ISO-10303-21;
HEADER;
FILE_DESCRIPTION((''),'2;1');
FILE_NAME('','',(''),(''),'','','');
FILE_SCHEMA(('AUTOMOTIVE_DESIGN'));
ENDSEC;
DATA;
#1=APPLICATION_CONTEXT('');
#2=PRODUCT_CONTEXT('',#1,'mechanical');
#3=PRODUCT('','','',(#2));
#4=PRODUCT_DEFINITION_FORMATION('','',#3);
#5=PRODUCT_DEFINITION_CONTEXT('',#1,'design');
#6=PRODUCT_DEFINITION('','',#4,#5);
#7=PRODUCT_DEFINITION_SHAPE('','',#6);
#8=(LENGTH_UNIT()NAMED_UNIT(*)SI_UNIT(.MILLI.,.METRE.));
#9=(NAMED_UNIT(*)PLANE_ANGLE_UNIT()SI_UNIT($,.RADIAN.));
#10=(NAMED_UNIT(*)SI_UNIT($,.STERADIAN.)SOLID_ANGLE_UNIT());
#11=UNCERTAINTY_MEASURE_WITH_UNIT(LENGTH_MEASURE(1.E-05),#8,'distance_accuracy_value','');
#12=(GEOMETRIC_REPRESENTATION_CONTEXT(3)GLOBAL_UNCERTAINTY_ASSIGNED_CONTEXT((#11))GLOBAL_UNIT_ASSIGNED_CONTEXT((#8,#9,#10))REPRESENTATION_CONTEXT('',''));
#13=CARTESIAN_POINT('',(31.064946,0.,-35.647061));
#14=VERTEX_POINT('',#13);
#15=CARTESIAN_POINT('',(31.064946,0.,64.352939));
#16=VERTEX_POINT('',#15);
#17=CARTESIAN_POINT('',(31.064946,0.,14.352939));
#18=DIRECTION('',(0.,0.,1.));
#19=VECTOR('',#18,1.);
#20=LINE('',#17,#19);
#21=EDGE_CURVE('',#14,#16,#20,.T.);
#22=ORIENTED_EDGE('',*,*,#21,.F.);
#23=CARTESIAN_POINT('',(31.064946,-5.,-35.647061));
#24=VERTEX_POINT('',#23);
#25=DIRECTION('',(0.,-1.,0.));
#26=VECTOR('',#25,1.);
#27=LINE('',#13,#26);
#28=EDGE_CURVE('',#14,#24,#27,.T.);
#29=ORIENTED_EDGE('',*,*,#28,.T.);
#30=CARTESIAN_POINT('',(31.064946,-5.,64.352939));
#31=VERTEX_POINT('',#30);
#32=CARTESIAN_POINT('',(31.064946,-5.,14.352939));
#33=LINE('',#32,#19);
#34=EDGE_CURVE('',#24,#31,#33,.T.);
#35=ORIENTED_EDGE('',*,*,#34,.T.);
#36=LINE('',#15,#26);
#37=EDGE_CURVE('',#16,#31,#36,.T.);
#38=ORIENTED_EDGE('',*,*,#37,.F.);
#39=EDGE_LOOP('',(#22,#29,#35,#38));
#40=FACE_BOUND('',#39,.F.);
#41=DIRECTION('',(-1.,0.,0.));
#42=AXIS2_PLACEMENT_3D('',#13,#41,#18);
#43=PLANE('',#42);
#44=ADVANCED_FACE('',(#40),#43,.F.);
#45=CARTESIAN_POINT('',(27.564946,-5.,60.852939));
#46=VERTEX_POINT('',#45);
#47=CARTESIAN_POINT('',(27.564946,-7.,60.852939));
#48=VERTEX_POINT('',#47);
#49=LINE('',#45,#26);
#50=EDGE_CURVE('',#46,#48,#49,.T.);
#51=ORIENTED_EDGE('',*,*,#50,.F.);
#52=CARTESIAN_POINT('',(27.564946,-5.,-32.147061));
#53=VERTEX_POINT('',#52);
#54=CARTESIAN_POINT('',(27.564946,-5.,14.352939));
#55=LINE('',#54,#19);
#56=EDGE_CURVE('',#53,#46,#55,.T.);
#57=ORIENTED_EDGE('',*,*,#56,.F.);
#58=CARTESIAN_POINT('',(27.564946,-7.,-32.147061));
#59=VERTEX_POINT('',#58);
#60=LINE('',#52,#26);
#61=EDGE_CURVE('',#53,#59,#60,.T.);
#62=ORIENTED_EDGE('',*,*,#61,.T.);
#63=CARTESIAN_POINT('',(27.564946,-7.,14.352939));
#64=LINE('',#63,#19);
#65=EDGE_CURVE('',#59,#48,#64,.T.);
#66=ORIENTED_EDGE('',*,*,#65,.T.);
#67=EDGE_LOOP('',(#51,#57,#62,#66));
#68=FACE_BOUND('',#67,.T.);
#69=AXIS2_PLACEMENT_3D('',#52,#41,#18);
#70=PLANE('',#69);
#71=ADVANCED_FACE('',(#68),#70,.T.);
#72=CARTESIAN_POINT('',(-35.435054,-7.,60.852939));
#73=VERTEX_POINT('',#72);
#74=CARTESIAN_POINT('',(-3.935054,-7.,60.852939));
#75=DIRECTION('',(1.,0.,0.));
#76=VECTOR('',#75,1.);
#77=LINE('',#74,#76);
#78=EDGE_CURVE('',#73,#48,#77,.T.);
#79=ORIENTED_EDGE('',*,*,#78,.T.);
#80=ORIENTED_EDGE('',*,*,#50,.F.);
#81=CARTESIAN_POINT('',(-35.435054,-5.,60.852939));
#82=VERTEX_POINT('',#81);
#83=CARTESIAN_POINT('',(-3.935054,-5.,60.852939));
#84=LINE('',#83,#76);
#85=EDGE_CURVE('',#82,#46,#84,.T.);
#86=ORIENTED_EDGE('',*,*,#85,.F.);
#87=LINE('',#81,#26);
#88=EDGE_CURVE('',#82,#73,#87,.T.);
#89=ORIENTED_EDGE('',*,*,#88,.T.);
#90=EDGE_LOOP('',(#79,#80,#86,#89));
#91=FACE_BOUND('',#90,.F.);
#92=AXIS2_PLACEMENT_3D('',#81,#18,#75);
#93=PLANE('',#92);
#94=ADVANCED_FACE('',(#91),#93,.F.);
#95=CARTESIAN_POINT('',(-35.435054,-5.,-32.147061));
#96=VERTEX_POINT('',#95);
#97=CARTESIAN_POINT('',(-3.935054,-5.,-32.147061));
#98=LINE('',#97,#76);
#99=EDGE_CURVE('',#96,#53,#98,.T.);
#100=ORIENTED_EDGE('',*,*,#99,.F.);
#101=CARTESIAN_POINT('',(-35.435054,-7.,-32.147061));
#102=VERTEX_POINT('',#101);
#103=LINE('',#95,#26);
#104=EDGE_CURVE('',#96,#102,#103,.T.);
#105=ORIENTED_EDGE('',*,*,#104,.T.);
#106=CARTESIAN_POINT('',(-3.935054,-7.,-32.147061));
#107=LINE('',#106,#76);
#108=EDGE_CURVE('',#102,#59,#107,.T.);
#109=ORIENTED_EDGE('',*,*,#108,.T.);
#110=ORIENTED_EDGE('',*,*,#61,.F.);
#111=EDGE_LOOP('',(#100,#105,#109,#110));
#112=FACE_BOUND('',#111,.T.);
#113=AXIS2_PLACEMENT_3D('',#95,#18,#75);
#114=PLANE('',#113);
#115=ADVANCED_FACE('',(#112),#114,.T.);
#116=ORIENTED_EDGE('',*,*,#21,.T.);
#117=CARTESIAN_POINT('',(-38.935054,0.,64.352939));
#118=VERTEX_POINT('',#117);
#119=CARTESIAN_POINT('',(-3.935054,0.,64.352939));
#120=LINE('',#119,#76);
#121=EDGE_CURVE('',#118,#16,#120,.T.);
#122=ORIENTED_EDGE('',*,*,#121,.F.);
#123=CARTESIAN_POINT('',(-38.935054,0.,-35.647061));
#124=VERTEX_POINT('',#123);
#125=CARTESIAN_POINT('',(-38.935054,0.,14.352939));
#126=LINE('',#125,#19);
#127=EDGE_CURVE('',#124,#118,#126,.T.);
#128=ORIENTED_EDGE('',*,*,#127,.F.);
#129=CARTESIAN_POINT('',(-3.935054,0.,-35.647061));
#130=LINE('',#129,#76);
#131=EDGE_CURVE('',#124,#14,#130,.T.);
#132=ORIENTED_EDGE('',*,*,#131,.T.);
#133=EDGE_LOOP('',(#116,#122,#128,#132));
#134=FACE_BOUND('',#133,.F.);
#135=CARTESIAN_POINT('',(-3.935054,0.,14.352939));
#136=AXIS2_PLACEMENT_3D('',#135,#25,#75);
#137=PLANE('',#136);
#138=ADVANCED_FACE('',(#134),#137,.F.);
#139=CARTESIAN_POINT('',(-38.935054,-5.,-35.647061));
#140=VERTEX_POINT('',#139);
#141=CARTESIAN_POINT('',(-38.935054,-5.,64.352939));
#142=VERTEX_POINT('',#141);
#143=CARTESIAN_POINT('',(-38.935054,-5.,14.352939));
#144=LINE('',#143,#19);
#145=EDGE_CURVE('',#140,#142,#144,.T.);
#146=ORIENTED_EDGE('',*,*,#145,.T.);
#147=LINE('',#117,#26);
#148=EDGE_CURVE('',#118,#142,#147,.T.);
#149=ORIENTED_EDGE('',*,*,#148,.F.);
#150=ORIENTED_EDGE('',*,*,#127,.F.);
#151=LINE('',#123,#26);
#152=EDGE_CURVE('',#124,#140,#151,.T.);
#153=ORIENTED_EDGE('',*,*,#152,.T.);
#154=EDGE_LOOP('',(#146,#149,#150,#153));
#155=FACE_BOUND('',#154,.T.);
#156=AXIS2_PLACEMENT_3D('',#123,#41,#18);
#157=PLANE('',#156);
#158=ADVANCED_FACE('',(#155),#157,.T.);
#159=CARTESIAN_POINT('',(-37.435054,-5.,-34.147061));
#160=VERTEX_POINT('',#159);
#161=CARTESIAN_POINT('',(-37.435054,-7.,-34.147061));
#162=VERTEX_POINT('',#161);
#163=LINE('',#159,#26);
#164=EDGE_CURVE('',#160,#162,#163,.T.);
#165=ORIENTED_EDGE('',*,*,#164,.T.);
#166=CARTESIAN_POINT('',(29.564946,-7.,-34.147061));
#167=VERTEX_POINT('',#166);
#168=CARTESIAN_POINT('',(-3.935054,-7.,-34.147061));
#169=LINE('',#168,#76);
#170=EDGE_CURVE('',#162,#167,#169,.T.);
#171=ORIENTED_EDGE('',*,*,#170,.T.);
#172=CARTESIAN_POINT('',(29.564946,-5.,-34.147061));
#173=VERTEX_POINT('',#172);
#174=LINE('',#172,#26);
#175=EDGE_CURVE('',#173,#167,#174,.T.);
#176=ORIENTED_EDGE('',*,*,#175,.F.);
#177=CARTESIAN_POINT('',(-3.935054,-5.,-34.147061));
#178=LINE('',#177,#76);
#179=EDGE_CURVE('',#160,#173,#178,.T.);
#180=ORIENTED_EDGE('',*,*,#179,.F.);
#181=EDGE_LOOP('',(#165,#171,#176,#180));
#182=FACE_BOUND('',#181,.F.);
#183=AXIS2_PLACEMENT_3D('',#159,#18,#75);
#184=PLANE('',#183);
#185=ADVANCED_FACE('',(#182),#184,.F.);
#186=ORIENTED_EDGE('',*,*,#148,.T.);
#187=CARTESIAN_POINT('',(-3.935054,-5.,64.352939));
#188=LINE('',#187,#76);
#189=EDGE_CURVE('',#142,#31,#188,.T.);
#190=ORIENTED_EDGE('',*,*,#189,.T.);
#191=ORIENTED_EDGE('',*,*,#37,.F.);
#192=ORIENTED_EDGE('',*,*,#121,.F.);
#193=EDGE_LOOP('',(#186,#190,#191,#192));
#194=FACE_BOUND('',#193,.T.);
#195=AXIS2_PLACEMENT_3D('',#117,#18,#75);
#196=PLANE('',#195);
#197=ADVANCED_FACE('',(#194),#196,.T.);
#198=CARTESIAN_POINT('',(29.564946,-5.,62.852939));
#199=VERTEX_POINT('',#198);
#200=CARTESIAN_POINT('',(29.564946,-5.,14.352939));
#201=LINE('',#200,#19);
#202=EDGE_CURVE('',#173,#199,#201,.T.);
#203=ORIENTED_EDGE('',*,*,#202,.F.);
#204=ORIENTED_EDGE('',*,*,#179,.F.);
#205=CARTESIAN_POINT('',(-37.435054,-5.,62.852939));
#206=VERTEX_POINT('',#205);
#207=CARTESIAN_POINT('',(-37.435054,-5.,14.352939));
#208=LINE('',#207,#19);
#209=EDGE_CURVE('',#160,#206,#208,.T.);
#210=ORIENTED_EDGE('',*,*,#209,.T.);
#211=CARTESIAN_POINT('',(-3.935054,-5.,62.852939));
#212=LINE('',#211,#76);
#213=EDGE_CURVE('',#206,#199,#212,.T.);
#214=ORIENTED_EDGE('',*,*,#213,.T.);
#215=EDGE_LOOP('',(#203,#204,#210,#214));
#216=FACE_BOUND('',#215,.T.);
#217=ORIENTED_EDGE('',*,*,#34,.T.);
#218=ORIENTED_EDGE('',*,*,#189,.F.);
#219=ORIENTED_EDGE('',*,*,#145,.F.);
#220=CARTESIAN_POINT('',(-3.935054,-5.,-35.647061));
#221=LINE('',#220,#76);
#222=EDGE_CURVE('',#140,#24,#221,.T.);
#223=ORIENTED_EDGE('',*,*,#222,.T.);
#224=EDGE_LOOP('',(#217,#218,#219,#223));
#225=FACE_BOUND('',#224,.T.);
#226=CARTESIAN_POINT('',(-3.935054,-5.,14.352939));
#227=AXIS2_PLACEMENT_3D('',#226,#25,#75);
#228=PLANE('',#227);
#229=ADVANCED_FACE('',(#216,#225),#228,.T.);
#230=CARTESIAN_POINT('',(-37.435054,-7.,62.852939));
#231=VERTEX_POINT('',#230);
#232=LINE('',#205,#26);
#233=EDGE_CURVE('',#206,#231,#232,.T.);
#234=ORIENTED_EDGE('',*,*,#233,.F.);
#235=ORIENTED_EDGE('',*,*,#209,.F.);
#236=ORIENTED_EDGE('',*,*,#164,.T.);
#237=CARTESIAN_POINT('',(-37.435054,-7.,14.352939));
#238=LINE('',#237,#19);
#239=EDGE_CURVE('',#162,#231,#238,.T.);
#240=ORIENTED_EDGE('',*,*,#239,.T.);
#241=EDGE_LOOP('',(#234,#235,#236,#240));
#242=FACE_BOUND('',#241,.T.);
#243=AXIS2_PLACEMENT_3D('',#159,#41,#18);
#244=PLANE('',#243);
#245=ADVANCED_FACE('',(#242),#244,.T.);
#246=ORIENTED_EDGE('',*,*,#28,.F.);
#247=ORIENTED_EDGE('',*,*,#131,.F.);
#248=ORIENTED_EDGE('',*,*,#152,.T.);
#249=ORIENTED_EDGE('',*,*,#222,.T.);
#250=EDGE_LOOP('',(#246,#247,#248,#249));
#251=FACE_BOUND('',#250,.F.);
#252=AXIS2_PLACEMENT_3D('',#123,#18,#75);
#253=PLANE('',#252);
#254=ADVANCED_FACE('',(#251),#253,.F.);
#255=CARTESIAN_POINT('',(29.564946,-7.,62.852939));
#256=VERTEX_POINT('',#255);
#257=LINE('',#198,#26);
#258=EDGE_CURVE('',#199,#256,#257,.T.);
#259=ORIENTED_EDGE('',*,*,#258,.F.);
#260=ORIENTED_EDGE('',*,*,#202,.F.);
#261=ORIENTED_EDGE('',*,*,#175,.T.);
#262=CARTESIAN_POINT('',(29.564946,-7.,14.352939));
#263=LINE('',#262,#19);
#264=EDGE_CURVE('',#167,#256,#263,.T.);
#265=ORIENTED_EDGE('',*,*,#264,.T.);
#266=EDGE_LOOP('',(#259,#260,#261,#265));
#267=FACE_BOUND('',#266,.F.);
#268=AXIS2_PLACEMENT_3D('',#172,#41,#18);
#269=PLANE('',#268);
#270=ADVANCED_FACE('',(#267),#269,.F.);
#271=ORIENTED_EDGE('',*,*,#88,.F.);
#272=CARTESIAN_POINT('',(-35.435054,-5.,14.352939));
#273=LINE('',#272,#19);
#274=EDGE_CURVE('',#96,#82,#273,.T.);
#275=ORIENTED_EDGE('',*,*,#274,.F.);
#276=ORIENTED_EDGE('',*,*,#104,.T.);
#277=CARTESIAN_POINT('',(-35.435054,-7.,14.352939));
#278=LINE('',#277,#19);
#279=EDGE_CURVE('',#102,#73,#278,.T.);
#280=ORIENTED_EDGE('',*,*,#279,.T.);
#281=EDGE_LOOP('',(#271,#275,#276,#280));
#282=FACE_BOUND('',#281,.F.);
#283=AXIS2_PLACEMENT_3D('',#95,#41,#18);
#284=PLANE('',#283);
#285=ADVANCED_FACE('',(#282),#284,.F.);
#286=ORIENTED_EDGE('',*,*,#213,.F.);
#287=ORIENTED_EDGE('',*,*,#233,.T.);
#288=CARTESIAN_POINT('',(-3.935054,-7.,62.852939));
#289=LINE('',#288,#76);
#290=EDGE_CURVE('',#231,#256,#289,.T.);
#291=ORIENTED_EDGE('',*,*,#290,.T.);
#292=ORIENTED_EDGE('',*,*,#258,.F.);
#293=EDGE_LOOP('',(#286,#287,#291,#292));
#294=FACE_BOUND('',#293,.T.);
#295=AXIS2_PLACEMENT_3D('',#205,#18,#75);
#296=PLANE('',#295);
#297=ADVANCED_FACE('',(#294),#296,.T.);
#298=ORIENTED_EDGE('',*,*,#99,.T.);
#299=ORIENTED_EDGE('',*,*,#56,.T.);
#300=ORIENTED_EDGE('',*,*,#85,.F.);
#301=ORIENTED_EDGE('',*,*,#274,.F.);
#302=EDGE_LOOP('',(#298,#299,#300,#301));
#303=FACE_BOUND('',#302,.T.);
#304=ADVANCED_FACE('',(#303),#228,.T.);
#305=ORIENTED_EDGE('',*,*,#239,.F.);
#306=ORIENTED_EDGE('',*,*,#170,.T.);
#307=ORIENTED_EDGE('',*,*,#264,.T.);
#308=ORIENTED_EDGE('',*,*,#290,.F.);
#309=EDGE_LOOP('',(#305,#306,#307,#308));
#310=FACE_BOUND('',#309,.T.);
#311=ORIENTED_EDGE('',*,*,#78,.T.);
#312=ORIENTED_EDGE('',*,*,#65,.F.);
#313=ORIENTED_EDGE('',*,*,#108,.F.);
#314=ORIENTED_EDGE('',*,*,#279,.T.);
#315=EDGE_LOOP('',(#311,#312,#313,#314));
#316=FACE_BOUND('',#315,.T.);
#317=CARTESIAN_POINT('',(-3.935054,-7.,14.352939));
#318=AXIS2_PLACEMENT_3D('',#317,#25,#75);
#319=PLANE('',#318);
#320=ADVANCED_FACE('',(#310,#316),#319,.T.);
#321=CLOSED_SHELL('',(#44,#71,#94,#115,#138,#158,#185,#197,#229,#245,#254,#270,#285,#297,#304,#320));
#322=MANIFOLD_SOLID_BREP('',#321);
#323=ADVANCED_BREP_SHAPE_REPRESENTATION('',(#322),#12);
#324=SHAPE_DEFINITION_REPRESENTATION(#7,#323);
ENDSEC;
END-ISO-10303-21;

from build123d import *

# Parameters (mm, degrees)
F0_W     = 70
F0_H     = 100
F1_DEPTH = 5
F2_W     = 67
F2_H     = 97
F2_W_2   = 63
F2_H_2   = 93
F3_DEPTH = 2


with BuildPart() as f1:
    # F0 (on Front) → F1 (new body)
    with BuildSketch(Plane.XZ):
        with Locations((-3.935054, 14.352939)):
            Rectangle(F0_W, F0_H)
    extrude(amount=F1_DEPTH)

    # F2 (on face) → F3 (join)
    with BuildSketch(Plane.XZ.offset(5)):
        with Locations((-3.935054, 14.352939)):
            Rectangle(F2_W, F2_H)
        with Locations((-3.935054, 14.352939)):
            Rectangle(F2_W_2, F2_H_2, mode=Mode.SUBTRACT)
    extrude(amount=F3_DEPTH)


solid = f1.part
